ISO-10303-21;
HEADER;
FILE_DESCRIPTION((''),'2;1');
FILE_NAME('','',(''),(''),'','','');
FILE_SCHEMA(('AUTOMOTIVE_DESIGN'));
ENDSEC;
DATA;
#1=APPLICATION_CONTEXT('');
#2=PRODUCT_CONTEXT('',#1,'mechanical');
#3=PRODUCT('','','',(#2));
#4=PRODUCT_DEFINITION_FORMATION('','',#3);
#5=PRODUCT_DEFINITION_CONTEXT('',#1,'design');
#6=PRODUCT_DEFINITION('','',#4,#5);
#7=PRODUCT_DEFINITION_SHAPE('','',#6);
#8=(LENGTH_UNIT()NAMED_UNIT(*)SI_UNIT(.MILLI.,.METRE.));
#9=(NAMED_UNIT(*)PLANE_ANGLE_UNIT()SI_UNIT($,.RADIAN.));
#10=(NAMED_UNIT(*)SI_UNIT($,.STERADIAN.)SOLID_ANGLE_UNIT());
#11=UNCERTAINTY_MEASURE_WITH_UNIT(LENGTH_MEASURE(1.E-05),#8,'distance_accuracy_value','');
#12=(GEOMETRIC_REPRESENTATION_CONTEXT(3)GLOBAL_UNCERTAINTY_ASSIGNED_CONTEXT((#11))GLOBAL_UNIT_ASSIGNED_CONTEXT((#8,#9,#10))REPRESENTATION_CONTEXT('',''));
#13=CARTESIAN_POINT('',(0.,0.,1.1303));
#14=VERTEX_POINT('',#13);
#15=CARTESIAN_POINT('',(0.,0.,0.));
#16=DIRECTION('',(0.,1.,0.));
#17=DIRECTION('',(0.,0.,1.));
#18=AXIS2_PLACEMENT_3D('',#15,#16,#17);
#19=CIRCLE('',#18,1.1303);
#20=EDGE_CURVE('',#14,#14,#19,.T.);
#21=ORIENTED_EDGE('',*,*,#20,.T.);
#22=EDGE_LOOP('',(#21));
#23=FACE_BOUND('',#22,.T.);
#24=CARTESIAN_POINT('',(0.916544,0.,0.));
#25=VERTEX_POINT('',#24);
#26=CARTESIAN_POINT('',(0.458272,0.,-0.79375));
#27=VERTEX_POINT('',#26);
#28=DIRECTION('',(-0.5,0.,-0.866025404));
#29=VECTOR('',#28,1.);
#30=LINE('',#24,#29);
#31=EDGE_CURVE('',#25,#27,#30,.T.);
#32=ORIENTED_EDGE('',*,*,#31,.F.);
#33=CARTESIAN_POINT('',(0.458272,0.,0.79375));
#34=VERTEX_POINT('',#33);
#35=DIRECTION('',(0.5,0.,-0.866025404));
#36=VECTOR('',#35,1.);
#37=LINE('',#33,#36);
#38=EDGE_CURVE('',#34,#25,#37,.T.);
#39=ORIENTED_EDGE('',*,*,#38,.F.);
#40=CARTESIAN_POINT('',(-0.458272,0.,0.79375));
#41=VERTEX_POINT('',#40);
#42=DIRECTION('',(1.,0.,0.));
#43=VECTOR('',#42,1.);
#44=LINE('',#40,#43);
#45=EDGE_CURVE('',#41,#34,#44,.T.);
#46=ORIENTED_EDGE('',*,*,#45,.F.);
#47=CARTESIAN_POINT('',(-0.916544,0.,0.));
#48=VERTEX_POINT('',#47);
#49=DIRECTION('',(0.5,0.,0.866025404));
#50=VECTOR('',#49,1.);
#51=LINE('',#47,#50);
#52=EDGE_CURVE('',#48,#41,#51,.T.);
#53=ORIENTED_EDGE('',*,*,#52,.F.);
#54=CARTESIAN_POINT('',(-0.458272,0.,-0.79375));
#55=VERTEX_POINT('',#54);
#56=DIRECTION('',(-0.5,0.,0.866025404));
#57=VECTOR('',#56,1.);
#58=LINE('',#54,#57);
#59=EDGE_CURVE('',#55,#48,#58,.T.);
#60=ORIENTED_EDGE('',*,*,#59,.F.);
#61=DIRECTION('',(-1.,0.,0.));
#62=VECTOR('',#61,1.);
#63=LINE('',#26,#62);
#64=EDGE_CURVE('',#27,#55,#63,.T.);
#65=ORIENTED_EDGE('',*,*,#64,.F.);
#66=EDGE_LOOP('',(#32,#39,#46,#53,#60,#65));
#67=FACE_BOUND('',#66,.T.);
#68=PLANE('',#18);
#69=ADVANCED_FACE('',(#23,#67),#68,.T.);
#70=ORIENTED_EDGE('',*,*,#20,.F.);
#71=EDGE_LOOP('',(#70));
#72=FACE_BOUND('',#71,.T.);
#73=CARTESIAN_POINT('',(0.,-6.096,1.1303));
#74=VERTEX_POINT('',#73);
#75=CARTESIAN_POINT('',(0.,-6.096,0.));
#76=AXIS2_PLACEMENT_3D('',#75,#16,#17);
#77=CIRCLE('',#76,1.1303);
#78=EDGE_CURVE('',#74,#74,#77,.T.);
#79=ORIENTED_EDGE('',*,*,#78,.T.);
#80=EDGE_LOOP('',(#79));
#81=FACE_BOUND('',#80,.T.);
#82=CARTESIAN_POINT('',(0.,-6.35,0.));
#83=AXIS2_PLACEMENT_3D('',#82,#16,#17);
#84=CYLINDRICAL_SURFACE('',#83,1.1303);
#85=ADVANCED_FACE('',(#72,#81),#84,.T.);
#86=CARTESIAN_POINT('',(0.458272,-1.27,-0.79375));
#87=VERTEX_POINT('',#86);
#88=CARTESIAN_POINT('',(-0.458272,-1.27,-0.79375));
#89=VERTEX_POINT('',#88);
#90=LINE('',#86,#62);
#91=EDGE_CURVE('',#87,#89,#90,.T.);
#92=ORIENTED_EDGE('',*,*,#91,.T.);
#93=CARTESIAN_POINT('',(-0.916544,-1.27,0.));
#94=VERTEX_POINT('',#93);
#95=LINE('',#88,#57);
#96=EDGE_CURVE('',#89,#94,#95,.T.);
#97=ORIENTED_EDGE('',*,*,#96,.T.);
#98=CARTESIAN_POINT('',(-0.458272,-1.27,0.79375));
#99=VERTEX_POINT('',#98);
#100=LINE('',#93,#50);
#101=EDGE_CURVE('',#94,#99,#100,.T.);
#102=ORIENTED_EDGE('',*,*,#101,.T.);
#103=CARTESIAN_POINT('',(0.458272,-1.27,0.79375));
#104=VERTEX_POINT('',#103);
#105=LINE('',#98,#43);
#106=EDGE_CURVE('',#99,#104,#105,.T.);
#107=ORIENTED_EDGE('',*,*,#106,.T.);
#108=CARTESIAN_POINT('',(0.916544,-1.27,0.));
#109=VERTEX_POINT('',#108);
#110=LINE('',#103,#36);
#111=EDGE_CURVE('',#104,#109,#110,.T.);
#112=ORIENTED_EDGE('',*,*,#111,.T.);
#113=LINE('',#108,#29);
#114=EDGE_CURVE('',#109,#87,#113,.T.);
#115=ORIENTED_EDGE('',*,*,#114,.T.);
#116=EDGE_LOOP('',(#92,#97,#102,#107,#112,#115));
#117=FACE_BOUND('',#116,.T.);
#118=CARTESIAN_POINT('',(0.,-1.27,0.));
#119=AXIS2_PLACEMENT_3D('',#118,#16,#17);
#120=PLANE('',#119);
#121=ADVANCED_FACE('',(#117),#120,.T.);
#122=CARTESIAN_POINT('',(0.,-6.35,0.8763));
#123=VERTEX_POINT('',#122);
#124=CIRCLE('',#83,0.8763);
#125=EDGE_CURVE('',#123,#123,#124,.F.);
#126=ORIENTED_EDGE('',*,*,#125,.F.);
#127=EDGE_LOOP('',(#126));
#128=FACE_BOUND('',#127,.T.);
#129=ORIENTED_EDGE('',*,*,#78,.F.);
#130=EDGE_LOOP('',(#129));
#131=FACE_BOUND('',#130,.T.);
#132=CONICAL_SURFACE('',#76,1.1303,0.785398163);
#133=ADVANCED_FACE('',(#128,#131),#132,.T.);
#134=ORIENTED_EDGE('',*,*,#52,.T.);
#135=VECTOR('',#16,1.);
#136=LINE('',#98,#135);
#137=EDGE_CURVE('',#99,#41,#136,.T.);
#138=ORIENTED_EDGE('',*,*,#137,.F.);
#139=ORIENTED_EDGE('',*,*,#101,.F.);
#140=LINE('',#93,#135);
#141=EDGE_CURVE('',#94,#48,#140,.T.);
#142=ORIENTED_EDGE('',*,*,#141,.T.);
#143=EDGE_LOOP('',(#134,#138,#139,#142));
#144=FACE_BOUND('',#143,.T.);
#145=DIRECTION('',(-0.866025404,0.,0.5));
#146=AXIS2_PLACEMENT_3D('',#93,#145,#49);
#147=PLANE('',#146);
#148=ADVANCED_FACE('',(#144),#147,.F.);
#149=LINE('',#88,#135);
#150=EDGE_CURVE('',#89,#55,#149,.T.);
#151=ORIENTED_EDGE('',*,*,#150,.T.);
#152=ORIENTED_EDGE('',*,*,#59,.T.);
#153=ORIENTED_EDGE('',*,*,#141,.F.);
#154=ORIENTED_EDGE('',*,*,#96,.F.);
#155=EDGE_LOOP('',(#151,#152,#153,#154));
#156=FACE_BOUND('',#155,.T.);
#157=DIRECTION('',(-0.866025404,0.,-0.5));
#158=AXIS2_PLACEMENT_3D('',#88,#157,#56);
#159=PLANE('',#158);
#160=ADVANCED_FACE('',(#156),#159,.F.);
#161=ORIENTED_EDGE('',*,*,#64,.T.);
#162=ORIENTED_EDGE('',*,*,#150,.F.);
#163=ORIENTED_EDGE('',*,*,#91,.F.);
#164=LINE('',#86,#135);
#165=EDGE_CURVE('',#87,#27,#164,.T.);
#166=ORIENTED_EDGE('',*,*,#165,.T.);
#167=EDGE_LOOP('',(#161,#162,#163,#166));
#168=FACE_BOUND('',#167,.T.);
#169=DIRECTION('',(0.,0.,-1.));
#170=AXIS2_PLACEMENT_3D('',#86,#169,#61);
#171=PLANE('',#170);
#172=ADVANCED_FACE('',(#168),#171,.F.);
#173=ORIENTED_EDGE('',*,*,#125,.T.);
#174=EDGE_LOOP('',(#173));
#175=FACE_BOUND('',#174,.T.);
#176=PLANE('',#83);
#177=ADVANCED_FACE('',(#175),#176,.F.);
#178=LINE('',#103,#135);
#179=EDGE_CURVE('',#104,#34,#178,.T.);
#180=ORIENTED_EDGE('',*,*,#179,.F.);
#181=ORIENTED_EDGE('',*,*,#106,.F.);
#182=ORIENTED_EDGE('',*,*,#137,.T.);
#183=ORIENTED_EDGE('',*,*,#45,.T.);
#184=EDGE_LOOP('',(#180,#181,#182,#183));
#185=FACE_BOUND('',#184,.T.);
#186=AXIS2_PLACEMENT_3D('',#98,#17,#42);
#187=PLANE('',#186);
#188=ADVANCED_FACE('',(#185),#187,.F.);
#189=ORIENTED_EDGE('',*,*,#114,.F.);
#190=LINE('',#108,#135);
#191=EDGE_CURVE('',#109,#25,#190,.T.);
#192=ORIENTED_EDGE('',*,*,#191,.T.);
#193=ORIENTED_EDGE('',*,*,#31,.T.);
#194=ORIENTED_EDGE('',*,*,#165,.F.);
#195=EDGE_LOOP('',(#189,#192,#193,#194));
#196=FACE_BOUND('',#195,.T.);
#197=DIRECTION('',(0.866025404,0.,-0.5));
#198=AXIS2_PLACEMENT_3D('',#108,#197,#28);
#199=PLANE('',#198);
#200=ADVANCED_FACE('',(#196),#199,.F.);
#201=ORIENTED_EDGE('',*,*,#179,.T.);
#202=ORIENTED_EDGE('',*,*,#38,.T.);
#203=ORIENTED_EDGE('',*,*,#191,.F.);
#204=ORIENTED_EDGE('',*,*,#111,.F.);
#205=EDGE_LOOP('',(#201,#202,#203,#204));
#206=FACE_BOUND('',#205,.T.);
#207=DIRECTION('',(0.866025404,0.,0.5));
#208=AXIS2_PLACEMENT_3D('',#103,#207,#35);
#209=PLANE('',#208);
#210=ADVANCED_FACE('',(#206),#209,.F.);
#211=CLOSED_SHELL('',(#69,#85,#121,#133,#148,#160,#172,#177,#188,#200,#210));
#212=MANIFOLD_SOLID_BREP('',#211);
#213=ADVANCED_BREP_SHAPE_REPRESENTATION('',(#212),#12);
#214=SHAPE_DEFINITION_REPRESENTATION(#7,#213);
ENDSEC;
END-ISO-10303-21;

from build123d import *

# Parameters (mm, degrees)
SKETCH1_R           = 1.1303
BOSS_EXTRUDE1_DEPTH = 6.35
CHAMFER1_SIZE       = 0.254
CUT_EXTRUDE1_DEPTH  = 1.27


with BuildPart() as part:
    # Sketch1 → Boss-Extrude1 (new body)
    with BuildSketch(Plane(origin=(0, 0, 0), x_dir=(1, 0, 0), z_dir=(0, 1, 0))):
        with Locations(Location((0, 0, 0), (0, 0, 270))):
            Circle(SKETCH1_R)
    extrude(amount=-BOSS_EXTRUDE1_DEPTH)

    # Chamfer1
    chamfer1_edges = [part.edges().sort_by_distance(p)[0] for p in [
        (0, -6.35, -1.1303),
    ]]
    chamfer(chamfer1_edges, length=CHAMFER1_SIZE)

    # Sketch2 → Cut-Extrude1 (cut)
    with BuildSketch(Plane(origin=(0, 0, 0), x_dir=(1, 0, 0), z_dir=(0, 1, 0))):
        Polygon((-0.916543552, 0), (-0.458271776, -0.79375), (0.458271776, -0.79375), (0.916543552, 0), (0.458271776, 0.79375), (-0.458271776, 0.79375), align=None)
    extrude(amount=-CUT_EXTRUDE1_DEPTH, mode=Mode.SUBTRACT)


solid = part.part
